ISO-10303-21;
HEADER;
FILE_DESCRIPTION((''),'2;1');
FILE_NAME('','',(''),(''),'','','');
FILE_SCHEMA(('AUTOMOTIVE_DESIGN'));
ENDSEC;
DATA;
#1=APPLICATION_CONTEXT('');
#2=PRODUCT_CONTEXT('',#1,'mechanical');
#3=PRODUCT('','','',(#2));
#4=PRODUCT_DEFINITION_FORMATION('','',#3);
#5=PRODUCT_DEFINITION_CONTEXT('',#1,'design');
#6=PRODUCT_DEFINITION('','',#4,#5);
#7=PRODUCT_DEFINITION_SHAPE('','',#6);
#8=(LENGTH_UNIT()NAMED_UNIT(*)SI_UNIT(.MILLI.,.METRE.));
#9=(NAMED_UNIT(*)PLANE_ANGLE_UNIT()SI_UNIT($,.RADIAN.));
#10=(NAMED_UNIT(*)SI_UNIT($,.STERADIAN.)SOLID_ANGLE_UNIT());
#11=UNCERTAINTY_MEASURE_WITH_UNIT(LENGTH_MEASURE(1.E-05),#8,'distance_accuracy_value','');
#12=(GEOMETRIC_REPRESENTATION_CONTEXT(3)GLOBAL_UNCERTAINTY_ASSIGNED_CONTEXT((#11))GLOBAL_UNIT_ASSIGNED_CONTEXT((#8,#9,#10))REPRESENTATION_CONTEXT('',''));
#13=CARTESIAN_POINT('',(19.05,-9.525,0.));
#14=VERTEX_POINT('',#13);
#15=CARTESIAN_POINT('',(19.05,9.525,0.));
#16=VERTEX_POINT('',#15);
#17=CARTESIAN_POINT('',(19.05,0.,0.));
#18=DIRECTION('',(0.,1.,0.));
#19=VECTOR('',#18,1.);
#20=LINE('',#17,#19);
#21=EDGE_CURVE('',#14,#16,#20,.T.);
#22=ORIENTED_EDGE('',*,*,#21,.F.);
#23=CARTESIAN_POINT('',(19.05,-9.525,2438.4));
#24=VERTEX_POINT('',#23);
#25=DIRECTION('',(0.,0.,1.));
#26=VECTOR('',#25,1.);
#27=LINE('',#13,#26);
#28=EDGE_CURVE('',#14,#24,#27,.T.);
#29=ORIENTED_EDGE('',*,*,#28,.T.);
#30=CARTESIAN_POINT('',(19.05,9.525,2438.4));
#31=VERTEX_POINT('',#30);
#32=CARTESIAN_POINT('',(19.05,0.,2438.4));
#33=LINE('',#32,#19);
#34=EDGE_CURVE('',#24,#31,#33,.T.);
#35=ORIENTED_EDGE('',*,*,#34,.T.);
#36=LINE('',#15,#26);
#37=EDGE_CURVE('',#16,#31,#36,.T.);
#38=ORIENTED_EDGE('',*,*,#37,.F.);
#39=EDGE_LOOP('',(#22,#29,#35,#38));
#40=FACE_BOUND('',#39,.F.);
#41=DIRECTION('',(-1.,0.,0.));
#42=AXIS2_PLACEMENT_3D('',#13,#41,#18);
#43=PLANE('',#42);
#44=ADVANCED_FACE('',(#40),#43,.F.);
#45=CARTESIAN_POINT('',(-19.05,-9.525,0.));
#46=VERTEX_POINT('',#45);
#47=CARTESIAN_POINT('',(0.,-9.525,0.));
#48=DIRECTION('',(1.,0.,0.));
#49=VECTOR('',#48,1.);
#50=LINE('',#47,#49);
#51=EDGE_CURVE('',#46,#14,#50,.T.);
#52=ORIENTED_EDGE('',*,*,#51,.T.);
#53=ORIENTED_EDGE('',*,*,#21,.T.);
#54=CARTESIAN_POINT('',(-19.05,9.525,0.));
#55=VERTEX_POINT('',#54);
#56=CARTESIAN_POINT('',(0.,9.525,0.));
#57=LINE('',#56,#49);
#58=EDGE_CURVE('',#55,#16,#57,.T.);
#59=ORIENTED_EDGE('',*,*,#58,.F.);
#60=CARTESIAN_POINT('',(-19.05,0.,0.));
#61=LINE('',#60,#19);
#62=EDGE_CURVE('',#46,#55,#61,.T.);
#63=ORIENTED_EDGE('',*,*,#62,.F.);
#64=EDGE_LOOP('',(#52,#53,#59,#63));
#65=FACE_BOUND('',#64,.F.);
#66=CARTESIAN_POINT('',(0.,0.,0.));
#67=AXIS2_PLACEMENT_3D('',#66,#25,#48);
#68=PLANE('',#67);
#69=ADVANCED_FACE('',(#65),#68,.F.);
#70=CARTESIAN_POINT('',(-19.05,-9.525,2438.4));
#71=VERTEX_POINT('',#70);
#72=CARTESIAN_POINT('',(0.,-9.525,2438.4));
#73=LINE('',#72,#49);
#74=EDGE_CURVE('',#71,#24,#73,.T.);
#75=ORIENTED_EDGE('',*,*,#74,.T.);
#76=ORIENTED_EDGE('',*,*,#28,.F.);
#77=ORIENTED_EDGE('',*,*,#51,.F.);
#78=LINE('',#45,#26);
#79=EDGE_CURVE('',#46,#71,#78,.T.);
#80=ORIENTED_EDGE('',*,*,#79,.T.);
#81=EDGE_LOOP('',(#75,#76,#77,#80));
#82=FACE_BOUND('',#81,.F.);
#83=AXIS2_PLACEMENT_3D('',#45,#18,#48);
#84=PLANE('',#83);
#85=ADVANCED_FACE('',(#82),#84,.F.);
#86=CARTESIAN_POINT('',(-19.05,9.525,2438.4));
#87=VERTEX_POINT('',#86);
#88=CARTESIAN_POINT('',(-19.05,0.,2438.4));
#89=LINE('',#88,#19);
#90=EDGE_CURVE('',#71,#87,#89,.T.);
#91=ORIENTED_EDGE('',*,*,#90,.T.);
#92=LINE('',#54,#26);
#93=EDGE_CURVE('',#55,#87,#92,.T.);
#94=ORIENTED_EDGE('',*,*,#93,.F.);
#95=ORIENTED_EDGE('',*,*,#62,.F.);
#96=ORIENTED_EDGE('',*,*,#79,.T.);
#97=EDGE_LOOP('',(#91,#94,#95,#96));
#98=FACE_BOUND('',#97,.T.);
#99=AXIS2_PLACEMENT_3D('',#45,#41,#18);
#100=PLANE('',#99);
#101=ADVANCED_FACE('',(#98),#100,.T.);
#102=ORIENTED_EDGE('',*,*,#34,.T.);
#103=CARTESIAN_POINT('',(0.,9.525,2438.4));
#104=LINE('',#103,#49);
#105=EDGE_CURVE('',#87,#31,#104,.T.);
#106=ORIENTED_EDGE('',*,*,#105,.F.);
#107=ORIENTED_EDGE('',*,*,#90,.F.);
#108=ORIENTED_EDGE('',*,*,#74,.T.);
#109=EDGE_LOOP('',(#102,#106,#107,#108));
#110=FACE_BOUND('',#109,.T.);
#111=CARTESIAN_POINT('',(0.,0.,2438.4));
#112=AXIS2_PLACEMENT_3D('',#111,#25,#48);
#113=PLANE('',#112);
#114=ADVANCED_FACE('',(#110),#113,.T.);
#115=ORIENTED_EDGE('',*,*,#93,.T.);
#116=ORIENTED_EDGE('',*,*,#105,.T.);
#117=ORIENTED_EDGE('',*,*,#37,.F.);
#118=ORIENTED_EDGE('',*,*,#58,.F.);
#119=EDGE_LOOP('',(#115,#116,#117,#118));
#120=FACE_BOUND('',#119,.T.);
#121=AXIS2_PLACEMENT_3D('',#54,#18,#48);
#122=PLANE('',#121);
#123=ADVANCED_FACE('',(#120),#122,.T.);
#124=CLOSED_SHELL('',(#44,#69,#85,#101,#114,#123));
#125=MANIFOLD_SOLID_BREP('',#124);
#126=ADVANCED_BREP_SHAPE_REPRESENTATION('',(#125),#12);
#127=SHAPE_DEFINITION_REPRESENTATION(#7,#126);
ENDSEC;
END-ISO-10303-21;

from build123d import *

# Parameters (mm, degrees)
SKETCH_W  = 38.1
SKETCH_H  = 19.05
PAD_DEPTH = 2438.4


with BuildPart() as part:
    # Sketch → Pad (new body)
    with BuildSketch(Plane.XY):
        Rectangle(SKETCH_W, SKETCH_H)
    extrude(amount=PAD_DEPTH)


solid = part.part
